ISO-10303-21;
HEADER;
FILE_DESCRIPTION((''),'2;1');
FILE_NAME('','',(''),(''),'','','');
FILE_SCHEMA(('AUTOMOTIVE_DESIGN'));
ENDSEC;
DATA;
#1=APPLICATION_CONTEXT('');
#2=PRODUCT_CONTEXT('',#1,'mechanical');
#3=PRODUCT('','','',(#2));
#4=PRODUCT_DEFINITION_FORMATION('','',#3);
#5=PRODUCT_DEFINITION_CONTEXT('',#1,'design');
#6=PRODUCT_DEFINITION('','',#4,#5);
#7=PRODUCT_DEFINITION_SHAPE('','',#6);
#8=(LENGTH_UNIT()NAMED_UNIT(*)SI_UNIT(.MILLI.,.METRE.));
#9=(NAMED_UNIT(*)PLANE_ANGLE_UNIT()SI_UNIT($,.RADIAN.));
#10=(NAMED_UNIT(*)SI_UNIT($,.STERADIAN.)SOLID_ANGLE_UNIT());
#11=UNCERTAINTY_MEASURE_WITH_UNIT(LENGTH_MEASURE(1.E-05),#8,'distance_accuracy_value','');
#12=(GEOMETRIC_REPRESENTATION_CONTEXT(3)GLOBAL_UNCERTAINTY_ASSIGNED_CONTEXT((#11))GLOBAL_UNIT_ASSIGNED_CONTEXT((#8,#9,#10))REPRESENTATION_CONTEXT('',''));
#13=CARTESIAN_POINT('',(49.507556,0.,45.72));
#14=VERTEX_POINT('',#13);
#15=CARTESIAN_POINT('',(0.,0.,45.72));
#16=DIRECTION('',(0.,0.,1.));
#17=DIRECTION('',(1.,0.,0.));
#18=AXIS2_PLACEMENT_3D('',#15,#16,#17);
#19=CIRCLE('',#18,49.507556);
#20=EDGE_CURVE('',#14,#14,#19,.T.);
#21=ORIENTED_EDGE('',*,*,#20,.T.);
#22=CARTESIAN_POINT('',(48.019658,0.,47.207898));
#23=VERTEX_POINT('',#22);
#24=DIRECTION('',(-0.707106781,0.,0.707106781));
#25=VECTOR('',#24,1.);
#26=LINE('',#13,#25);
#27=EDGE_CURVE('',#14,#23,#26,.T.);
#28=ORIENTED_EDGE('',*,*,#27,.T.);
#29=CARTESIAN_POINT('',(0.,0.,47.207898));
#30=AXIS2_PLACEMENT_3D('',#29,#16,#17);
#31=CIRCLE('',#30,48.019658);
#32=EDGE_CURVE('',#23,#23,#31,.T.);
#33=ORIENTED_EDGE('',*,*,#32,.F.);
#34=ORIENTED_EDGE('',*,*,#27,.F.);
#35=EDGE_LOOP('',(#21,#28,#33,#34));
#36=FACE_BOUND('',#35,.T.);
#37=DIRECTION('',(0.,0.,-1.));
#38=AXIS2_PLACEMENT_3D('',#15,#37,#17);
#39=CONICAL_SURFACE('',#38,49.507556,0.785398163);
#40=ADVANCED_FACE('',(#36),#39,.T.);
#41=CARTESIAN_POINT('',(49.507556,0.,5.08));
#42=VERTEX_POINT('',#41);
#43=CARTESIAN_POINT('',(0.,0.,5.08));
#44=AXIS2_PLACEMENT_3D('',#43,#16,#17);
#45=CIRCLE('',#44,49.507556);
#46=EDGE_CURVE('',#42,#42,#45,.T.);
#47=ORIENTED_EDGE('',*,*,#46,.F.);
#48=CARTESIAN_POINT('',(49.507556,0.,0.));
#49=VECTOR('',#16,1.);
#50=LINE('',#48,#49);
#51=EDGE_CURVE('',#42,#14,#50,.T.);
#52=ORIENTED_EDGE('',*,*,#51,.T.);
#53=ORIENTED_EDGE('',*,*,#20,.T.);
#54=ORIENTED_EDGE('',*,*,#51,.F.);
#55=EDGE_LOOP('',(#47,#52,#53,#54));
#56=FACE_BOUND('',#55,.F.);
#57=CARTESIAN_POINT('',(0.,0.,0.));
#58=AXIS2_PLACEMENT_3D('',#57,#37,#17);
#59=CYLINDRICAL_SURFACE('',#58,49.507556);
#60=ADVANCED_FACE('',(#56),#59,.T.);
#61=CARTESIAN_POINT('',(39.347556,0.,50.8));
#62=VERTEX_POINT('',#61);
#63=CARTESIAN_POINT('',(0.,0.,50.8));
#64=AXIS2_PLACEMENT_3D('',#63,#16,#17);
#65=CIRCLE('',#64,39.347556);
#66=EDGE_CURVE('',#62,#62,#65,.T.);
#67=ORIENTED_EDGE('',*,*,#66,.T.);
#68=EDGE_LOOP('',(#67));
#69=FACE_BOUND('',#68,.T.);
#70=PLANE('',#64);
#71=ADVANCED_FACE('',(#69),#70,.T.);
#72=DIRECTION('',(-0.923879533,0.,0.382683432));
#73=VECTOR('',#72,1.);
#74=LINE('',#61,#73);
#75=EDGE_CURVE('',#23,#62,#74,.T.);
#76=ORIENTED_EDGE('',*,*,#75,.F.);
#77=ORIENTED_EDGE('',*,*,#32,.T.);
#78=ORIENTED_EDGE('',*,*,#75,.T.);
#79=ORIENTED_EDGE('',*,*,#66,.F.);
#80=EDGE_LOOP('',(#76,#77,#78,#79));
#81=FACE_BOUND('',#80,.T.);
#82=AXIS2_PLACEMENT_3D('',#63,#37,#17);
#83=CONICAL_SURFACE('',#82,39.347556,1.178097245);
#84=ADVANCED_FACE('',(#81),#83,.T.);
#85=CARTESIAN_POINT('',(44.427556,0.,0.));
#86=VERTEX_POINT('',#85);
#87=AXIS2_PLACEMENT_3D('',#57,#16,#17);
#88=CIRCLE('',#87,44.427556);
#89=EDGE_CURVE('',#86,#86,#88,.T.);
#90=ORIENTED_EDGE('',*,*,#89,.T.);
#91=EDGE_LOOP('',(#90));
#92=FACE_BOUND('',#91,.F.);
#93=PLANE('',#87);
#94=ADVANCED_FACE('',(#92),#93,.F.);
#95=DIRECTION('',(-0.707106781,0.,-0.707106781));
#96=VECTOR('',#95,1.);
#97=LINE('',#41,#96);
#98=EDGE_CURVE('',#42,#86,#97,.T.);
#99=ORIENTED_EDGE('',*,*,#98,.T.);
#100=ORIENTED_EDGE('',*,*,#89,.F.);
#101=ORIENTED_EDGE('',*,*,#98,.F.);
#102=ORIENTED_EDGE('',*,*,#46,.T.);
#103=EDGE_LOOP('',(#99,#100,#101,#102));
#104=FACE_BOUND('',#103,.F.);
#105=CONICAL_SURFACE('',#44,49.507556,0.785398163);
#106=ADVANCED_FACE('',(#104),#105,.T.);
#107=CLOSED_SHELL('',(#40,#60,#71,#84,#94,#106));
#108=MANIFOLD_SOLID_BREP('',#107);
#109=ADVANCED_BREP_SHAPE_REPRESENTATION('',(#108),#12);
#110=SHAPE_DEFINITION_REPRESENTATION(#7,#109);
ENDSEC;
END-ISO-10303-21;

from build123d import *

# Parameters (mm, degrees)
F0_R     = 49.507556
F1_DEPTH = 50.8
F2_SIZE  = 5.08
F3_SIZE  = 5.08


with BuildPart() as f1:
    # F0 (on Top) → F1 (new body)
    with BuildSketch(Plane.XY):
        Circle(F0_R)
    extrude(amount=F1_DEPTH)

    # F2
    f2_edges = [f1.edges().sort_by_distance(p)[0] for p in [
        (-49.507556, 0, 50.8),
        (-49.507556, 0, 0),
    ]]
    chamfer(f2_edges, length=F2_SIZE)

    # F3
    f3_edges = [f1.edges().sort_by_distance(p)[0] for p in [
        (-44.427556, 0, 50.8),
    ]]
    chamfer(f3_edges, length=F3_SIZE)


solid = f1.part
